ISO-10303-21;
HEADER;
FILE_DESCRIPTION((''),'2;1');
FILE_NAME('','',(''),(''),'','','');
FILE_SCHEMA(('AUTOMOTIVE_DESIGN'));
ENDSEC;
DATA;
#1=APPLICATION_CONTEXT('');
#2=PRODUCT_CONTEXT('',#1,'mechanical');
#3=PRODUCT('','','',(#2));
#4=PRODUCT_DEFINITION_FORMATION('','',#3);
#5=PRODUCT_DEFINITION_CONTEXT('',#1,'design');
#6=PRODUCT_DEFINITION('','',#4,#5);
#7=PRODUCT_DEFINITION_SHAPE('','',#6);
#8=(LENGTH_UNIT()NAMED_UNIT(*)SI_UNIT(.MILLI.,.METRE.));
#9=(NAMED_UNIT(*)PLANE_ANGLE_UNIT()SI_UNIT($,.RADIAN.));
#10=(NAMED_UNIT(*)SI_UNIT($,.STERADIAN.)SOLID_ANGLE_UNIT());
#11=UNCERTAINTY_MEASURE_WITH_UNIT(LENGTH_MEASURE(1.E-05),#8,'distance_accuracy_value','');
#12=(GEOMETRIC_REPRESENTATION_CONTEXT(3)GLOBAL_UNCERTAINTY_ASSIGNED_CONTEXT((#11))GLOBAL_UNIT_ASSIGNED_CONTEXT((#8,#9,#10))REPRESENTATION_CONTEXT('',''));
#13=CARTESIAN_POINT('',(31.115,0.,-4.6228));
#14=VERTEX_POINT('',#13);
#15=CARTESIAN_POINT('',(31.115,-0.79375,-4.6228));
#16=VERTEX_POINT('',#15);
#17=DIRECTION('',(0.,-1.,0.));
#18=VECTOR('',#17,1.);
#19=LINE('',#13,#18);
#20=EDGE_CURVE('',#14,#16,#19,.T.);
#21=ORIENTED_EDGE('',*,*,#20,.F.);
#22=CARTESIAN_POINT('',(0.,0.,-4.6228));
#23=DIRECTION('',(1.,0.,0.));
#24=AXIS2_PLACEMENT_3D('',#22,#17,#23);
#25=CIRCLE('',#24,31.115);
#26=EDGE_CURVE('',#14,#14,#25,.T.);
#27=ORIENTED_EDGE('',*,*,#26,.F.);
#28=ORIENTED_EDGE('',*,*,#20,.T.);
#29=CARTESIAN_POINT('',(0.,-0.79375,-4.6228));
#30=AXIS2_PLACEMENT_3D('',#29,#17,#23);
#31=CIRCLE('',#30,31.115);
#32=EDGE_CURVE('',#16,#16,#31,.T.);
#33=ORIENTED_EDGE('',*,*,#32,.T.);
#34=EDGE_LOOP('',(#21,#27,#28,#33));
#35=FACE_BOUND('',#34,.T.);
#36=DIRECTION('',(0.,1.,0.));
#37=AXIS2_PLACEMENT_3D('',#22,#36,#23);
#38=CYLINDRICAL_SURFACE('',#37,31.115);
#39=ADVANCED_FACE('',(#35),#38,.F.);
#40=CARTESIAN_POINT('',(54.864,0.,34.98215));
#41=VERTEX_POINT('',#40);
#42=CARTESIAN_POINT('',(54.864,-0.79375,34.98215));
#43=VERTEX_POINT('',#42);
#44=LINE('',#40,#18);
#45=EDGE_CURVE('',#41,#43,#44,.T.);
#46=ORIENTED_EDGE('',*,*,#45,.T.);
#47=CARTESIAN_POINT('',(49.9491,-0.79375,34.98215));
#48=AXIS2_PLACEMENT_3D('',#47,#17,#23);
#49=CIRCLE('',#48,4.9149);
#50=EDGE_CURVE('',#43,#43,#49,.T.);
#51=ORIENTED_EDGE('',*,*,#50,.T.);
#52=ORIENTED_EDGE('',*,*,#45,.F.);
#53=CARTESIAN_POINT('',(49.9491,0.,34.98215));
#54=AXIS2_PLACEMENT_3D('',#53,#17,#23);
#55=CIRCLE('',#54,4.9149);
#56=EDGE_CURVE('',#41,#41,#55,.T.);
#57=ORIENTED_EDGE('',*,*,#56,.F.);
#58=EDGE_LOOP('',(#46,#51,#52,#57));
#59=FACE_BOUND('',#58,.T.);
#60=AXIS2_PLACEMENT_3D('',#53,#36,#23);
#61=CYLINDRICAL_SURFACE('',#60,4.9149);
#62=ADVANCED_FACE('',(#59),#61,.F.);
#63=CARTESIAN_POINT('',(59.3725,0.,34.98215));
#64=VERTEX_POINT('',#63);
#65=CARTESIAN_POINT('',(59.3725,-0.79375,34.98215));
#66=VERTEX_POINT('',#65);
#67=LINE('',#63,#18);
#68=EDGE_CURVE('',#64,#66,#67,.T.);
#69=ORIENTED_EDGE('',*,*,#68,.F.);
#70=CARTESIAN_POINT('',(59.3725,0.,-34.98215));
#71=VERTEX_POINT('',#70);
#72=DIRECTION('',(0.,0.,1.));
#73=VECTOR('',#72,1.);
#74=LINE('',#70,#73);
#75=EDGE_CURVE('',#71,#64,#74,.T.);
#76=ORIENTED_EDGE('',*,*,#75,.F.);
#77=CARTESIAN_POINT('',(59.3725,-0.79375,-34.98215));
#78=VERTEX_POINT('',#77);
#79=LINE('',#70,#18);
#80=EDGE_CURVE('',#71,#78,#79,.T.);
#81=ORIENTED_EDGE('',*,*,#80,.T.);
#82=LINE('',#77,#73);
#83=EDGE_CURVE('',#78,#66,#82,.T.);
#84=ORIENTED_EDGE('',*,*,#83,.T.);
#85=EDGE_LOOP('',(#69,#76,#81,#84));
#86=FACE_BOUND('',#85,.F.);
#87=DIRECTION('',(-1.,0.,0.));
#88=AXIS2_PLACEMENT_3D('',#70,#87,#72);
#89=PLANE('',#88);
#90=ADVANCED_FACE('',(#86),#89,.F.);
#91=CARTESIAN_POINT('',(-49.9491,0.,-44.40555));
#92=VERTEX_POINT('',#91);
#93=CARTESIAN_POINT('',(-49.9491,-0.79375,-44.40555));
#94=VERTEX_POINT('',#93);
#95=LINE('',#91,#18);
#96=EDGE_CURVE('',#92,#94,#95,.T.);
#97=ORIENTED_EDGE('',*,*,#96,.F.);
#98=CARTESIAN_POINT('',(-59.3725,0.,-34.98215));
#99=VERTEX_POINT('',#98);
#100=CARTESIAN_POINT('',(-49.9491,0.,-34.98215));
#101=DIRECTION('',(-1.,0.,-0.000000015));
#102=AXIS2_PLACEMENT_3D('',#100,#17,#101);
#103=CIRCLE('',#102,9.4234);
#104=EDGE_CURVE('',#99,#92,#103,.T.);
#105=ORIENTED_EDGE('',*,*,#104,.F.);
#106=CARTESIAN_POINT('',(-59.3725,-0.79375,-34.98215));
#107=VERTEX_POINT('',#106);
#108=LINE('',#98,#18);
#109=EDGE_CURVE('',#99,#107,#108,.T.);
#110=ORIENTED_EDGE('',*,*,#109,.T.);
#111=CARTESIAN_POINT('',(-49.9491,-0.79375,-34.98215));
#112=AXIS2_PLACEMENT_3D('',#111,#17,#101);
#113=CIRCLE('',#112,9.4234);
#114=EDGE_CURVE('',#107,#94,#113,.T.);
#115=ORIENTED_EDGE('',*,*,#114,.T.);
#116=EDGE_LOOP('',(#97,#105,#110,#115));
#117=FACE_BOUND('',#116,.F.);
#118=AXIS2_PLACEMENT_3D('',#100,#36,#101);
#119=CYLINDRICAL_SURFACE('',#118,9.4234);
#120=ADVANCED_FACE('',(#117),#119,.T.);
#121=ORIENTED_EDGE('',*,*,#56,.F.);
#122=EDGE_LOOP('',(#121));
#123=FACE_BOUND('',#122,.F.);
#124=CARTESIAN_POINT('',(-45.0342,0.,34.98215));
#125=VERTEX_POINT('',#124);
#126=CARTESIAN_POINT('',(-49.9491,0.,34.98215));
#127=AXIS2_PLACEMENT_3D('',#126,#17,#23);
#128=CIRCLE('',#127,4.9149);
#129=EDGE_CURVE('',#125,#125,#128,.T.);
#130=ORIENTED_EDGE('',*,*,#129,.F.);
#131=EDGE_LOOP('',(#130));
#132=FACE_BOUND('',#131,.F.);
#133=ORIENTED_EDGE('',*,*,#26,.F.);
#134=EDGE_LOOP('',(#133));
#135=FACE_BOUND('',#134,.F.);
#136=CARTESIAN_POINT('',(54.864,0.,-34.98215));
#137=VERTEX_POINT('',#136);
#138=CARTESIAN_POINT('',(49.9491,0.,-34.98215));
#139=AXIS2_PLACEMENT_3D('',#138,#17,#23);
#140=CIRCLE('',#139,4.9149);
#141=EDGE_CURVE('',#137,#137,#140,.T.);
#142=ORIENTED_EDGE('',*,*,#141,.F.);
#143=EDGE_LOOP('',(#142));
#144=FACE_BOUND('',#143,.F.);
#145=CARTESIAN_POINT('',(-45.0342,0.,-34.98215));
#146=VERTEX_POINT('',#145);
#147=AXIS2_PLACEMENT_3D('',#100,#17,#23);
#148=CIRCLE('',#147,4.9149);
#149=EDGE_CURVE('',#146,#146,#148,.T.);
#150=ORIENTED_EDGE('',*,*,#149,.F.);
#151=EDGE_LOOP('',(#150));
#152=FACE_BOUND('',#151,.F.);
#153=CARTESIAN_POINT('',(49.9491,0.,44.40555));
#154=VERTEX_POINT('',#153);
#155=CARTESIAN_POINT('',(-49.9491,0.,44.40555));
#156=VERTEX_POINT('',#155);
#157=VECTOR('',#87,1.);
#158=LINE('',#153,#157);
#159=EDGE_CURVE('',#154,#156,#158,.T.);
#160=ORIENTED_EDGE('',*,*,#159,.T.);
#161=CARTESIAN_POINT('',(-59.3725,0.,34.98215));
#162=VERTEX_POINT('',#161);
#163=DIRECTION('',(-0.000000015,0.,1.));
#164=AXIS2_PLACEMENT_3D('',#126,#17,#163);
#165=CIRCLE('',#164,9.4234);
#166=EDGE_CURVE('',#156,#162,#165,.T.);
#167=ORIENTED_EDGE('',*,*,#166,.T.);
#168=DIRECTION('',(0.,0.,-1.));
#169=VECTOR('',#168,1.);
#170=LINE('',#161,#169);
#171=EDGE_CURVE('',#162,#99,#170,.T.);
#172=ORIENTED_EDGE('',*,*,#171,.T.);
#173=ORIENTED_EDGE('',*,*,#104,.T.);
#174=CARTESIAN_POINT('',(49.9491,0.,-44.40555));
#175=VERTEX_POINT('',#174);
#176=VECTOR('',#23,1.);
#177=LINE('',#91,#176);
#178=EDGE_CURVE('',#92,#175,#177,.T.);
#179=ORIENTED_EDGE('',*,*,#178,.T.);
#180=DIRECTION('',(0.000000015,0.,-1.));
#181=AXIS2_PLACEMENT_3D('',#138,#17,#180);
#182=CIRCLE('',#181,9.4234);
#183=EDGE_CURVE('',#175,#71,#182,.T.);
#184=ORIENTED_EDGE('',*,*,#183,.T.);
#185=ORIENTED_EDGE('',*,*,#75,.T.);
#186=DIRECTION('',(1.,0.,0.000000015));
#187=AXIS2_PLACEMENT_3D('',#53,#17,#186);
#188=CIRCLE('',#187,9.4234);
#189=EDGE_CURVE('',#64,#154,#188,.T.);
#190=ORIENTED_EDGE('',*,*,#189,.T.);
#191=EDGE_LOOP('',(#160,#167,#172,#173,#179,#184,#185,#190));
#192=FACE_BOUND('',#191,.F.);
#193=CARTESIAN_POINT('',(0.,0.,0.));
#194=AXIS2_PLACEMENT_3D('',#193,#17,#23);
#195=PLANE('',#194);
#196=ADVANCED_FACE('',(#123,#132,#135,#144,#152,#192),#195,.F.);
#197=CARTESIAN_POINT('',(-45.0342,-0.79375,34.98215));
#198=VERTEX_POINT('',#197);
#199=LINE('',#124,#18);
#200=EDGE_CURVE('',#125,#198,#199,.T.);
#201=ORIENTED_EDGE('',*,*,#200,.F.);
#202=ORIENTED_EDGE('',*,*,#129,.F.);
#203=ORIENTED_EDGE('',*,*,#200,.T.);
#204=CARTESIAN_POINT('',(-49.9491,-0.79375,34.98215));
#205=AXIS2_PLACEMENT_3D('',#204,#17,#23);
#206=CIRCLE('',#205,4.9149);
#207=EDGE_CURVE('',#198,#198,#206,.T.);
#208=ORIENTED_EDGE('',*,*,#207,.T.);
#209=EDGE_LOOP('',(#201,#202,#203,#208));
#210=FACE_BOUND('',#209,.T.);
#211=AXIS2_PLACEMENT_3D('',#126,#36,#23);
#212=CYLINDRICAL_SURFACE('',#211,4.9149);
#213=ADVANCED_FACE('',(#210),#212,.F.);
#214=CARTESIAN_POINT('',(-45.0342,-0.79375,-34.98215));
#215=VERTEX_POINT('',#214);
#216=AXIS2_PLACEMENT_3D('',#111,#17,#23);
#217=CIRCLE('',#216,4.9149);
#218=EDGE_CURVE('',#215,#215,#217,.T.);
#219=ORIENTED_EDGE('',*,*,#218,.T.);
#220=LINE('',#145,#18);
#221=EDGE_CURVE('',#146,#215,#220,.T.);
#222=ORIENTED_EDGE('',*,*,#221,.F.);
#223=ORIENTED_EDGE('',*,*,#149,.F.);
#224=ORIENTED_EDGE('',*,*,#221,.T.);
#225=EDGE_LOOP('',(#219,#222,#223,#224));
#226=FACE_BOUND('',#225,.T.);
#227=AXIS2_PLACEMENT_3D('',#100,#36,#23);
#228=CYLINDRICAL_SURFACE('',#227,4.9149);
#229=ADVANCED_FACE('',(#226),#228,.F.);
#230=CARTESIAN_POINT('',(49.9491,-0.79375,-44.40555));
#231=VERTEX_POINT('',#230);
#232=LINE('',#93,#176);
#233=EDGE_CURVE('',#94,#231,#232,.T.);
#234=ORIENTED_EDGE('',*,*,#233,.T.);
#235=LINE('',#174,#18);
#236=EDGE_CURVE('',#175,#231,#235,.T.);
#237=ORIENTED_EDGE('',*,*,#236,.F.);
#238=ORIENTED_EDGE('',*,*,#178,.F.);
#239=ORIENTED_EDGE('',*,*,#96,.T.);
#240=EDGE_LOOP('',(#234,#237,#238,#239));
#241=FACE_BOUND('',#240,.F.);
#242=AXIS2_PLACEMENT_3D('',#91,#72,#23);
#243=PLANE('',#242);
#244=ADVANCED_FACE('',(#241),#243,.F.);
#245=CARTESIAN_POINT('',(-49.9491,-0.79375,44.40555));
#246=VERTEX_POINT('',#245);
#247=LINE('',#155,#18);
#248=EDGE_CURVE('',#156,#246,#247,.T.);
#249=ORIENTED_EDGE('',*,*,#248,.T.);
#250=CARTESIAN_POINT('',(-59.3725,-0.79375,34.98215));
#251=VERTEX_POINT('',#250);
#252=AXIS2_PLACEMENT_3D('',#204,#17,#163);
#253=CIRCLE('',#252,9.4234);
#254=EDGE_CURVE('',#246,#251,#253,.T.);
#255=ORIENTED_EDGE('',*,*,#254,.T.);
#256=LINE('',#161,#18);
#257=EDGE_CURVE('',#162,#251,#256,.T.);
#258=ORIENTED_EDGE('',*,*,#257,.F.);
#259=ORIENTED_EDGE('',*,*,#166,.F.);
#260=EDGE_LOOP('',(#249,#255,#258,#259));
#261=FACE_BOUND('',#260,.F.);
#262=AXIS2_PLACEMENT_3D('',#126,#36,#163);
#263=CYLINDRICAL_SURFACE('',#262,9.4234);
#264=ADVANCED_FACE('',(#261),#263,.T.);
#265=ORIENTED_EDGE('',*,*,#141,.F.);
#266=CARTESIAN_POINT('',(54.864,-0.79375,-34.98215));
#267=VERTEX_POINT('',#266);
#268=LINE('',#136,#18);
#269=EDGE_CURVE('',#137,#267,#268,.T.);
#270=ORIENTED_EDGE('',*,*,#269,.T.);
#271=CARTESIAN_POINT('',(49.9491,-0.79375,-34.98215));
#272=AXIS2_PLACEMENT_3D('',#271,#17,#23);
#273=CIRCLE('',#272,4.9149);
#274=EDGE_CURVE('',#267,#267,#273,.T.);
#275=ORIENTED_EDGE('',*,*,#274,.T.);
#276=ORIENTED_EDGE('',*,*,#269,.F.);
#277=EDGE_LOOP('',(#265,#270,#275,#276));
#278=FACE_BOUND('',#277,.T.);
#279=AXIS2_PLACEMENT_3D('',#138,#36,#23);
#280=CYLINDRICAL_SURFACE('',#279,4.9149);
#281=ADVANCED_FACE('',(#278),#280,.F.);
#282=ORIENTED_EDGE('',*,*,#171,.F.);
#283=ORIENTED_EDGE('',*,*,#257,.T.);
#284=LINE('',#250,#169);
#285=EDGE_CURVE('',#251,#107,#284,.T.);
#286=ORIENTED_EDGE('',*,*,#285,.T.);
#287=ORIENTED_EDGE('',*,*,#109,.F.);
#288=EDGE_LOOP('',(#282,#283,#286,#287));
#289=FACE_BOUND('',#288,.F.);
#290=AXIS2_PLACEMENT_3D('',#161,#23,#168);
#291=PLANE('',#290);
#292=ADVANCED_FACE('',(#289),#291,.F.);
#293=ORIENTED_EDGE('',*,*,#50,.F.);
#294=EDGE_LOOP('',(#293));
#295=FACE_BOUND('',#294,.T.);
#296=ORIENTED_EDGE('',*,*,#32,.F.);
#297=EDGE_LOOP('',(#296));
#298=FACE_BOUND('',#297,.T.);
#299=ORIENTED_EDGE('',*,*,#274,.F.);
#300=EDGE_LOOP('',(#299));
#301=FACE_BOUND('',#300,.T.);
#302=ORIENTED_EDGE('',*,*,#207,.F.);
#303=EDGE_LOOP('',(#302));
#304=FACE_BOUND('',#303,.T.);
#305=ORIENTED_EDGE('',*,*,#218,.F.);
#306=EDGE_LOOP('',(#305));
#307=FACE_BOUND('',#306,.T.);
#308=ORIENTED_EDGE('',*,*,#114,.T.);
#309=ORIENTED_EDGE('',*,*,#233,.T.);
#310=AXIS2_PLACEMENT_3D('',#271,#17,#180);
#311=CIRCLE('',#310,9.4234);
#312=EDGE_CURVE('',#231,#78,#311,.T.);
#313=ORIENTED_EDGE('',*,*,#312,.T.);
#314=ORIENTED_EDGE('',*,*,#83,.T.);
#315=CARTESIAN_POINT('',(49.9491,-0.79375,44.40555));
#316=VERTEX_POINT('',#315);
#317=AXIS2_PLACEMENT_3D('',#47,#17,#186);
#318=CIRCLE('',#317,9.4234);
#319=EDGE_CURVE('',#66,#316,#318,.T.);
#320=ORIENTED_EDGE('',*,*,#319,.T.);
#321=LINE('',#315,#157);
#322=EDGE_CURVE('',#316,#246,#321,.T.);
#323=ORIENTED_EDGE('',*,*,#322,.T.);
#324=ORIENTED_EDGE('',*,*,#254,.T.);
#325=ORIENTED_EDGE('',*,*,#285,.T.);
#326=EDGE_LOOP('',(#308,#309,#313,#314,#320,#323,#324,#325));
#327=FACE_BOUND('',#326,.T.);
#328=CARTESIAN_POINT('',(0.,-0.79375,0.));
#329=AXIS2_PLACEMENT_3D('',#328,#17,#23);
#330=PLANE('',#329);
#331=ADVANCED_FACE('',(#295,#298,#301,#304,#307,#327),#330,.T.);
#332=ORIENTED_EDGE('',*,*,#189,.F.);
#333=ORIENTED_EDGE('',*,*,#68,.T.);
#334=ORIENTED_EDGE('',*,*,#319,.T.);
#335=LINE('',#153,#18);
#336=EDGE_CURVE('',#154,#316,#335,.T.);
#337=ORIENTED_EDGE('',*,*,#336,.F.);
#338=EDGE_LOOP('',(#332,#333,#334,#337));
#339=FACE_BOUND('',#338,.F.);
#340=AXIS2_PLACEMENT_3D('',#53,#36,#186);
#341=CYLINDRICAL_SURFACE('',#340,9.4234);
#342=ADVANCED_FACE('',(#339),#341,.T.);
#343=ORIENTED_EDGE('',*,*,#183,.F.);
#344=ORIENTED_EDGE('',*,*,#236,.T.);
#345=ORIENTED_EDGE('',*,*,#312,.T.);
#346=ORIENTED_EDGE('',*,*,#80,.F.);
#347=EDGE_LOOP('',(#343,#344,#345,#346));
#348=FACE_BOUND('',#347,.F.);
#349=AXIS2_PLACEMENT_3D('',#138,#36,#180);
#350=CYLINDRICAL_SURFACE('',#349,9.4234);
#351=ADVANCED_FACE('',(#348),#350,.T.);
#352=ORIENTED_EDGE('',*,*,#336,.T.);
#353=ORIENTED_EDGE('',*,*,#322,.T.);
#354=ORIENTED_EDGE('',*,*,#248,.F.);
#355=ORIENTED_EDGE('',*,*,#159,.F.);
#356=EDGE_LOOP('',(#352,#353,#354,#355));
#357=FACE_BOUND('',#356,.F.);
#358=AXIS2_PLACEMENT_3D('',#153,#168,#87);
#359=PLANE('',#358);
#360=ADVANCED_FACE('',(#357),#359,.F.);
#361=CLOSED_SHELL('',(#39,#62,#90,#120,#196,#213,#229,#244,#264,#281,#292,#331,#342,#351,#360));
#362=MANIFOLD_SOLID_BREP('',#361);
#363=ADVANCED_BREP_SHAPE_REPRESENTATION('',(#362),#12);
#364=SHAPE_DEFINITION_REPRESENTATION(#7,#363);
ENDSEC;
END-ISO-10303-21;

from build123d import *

# Parameters (mm, degrees)
F0_R     = 4.9149
F0_R_2   = 31.115
F1_DEPTH = 0.79375


with BuildPart() as f1:
    # F0 (on Front) → F1 (new body)
    with BuildSketch(Plane.XZ):
        with BuildLine():
            Line((49.9491, 44.40555), (-49.9491, 44.40555))
            ThreePointArc((-49.9491, 44.40555), (-56.61245, 41.6455), (-59.3725, 34.98215))
            Line((-59.3725, 34.98215), (-59.3725, -34.98215))
            ThreePointArc((-59.3725, -34.98215), (-56.61245, -41.6455), (-49.9491, -44.40555))
            Line((-49.9491, -44.40555), (49.9491, -44.40555))
            ThreePointArc((49.9491, -44.40555), (56.61245, -41.6455), (59.3725, -34.98215))
            Line((59.3725, -34.98215), (59.3725, 34.98215))
            ThreePointArc((59.3725, 34.98215), (56.61245, 41.6455), (49.9491, 44.40555))
        make_face()
        with Locations((-49.9491, -34.98215)):
            Circle(F0_R, mode=Mode.SUBTRACT)
        with Locations((0, -4.6228)):
            Circle(F0_R_2, mode=Mode.SUBTRACT)
        with Locations((49.9491, -34.98215)):
            Circle(F0_R, mode=Mode.SUBTRACT)
        with Locations((-49.9491, 34.98215)):
            Circle(F0_R, mode=Mode.SUBTRACT)
        with Locations((49.9491, 34.98215)):
            Circle(F0_R, mode=Mode.SUBTRACT)
    extrude(amount=F1_DEPTH)


solid = f1.part
